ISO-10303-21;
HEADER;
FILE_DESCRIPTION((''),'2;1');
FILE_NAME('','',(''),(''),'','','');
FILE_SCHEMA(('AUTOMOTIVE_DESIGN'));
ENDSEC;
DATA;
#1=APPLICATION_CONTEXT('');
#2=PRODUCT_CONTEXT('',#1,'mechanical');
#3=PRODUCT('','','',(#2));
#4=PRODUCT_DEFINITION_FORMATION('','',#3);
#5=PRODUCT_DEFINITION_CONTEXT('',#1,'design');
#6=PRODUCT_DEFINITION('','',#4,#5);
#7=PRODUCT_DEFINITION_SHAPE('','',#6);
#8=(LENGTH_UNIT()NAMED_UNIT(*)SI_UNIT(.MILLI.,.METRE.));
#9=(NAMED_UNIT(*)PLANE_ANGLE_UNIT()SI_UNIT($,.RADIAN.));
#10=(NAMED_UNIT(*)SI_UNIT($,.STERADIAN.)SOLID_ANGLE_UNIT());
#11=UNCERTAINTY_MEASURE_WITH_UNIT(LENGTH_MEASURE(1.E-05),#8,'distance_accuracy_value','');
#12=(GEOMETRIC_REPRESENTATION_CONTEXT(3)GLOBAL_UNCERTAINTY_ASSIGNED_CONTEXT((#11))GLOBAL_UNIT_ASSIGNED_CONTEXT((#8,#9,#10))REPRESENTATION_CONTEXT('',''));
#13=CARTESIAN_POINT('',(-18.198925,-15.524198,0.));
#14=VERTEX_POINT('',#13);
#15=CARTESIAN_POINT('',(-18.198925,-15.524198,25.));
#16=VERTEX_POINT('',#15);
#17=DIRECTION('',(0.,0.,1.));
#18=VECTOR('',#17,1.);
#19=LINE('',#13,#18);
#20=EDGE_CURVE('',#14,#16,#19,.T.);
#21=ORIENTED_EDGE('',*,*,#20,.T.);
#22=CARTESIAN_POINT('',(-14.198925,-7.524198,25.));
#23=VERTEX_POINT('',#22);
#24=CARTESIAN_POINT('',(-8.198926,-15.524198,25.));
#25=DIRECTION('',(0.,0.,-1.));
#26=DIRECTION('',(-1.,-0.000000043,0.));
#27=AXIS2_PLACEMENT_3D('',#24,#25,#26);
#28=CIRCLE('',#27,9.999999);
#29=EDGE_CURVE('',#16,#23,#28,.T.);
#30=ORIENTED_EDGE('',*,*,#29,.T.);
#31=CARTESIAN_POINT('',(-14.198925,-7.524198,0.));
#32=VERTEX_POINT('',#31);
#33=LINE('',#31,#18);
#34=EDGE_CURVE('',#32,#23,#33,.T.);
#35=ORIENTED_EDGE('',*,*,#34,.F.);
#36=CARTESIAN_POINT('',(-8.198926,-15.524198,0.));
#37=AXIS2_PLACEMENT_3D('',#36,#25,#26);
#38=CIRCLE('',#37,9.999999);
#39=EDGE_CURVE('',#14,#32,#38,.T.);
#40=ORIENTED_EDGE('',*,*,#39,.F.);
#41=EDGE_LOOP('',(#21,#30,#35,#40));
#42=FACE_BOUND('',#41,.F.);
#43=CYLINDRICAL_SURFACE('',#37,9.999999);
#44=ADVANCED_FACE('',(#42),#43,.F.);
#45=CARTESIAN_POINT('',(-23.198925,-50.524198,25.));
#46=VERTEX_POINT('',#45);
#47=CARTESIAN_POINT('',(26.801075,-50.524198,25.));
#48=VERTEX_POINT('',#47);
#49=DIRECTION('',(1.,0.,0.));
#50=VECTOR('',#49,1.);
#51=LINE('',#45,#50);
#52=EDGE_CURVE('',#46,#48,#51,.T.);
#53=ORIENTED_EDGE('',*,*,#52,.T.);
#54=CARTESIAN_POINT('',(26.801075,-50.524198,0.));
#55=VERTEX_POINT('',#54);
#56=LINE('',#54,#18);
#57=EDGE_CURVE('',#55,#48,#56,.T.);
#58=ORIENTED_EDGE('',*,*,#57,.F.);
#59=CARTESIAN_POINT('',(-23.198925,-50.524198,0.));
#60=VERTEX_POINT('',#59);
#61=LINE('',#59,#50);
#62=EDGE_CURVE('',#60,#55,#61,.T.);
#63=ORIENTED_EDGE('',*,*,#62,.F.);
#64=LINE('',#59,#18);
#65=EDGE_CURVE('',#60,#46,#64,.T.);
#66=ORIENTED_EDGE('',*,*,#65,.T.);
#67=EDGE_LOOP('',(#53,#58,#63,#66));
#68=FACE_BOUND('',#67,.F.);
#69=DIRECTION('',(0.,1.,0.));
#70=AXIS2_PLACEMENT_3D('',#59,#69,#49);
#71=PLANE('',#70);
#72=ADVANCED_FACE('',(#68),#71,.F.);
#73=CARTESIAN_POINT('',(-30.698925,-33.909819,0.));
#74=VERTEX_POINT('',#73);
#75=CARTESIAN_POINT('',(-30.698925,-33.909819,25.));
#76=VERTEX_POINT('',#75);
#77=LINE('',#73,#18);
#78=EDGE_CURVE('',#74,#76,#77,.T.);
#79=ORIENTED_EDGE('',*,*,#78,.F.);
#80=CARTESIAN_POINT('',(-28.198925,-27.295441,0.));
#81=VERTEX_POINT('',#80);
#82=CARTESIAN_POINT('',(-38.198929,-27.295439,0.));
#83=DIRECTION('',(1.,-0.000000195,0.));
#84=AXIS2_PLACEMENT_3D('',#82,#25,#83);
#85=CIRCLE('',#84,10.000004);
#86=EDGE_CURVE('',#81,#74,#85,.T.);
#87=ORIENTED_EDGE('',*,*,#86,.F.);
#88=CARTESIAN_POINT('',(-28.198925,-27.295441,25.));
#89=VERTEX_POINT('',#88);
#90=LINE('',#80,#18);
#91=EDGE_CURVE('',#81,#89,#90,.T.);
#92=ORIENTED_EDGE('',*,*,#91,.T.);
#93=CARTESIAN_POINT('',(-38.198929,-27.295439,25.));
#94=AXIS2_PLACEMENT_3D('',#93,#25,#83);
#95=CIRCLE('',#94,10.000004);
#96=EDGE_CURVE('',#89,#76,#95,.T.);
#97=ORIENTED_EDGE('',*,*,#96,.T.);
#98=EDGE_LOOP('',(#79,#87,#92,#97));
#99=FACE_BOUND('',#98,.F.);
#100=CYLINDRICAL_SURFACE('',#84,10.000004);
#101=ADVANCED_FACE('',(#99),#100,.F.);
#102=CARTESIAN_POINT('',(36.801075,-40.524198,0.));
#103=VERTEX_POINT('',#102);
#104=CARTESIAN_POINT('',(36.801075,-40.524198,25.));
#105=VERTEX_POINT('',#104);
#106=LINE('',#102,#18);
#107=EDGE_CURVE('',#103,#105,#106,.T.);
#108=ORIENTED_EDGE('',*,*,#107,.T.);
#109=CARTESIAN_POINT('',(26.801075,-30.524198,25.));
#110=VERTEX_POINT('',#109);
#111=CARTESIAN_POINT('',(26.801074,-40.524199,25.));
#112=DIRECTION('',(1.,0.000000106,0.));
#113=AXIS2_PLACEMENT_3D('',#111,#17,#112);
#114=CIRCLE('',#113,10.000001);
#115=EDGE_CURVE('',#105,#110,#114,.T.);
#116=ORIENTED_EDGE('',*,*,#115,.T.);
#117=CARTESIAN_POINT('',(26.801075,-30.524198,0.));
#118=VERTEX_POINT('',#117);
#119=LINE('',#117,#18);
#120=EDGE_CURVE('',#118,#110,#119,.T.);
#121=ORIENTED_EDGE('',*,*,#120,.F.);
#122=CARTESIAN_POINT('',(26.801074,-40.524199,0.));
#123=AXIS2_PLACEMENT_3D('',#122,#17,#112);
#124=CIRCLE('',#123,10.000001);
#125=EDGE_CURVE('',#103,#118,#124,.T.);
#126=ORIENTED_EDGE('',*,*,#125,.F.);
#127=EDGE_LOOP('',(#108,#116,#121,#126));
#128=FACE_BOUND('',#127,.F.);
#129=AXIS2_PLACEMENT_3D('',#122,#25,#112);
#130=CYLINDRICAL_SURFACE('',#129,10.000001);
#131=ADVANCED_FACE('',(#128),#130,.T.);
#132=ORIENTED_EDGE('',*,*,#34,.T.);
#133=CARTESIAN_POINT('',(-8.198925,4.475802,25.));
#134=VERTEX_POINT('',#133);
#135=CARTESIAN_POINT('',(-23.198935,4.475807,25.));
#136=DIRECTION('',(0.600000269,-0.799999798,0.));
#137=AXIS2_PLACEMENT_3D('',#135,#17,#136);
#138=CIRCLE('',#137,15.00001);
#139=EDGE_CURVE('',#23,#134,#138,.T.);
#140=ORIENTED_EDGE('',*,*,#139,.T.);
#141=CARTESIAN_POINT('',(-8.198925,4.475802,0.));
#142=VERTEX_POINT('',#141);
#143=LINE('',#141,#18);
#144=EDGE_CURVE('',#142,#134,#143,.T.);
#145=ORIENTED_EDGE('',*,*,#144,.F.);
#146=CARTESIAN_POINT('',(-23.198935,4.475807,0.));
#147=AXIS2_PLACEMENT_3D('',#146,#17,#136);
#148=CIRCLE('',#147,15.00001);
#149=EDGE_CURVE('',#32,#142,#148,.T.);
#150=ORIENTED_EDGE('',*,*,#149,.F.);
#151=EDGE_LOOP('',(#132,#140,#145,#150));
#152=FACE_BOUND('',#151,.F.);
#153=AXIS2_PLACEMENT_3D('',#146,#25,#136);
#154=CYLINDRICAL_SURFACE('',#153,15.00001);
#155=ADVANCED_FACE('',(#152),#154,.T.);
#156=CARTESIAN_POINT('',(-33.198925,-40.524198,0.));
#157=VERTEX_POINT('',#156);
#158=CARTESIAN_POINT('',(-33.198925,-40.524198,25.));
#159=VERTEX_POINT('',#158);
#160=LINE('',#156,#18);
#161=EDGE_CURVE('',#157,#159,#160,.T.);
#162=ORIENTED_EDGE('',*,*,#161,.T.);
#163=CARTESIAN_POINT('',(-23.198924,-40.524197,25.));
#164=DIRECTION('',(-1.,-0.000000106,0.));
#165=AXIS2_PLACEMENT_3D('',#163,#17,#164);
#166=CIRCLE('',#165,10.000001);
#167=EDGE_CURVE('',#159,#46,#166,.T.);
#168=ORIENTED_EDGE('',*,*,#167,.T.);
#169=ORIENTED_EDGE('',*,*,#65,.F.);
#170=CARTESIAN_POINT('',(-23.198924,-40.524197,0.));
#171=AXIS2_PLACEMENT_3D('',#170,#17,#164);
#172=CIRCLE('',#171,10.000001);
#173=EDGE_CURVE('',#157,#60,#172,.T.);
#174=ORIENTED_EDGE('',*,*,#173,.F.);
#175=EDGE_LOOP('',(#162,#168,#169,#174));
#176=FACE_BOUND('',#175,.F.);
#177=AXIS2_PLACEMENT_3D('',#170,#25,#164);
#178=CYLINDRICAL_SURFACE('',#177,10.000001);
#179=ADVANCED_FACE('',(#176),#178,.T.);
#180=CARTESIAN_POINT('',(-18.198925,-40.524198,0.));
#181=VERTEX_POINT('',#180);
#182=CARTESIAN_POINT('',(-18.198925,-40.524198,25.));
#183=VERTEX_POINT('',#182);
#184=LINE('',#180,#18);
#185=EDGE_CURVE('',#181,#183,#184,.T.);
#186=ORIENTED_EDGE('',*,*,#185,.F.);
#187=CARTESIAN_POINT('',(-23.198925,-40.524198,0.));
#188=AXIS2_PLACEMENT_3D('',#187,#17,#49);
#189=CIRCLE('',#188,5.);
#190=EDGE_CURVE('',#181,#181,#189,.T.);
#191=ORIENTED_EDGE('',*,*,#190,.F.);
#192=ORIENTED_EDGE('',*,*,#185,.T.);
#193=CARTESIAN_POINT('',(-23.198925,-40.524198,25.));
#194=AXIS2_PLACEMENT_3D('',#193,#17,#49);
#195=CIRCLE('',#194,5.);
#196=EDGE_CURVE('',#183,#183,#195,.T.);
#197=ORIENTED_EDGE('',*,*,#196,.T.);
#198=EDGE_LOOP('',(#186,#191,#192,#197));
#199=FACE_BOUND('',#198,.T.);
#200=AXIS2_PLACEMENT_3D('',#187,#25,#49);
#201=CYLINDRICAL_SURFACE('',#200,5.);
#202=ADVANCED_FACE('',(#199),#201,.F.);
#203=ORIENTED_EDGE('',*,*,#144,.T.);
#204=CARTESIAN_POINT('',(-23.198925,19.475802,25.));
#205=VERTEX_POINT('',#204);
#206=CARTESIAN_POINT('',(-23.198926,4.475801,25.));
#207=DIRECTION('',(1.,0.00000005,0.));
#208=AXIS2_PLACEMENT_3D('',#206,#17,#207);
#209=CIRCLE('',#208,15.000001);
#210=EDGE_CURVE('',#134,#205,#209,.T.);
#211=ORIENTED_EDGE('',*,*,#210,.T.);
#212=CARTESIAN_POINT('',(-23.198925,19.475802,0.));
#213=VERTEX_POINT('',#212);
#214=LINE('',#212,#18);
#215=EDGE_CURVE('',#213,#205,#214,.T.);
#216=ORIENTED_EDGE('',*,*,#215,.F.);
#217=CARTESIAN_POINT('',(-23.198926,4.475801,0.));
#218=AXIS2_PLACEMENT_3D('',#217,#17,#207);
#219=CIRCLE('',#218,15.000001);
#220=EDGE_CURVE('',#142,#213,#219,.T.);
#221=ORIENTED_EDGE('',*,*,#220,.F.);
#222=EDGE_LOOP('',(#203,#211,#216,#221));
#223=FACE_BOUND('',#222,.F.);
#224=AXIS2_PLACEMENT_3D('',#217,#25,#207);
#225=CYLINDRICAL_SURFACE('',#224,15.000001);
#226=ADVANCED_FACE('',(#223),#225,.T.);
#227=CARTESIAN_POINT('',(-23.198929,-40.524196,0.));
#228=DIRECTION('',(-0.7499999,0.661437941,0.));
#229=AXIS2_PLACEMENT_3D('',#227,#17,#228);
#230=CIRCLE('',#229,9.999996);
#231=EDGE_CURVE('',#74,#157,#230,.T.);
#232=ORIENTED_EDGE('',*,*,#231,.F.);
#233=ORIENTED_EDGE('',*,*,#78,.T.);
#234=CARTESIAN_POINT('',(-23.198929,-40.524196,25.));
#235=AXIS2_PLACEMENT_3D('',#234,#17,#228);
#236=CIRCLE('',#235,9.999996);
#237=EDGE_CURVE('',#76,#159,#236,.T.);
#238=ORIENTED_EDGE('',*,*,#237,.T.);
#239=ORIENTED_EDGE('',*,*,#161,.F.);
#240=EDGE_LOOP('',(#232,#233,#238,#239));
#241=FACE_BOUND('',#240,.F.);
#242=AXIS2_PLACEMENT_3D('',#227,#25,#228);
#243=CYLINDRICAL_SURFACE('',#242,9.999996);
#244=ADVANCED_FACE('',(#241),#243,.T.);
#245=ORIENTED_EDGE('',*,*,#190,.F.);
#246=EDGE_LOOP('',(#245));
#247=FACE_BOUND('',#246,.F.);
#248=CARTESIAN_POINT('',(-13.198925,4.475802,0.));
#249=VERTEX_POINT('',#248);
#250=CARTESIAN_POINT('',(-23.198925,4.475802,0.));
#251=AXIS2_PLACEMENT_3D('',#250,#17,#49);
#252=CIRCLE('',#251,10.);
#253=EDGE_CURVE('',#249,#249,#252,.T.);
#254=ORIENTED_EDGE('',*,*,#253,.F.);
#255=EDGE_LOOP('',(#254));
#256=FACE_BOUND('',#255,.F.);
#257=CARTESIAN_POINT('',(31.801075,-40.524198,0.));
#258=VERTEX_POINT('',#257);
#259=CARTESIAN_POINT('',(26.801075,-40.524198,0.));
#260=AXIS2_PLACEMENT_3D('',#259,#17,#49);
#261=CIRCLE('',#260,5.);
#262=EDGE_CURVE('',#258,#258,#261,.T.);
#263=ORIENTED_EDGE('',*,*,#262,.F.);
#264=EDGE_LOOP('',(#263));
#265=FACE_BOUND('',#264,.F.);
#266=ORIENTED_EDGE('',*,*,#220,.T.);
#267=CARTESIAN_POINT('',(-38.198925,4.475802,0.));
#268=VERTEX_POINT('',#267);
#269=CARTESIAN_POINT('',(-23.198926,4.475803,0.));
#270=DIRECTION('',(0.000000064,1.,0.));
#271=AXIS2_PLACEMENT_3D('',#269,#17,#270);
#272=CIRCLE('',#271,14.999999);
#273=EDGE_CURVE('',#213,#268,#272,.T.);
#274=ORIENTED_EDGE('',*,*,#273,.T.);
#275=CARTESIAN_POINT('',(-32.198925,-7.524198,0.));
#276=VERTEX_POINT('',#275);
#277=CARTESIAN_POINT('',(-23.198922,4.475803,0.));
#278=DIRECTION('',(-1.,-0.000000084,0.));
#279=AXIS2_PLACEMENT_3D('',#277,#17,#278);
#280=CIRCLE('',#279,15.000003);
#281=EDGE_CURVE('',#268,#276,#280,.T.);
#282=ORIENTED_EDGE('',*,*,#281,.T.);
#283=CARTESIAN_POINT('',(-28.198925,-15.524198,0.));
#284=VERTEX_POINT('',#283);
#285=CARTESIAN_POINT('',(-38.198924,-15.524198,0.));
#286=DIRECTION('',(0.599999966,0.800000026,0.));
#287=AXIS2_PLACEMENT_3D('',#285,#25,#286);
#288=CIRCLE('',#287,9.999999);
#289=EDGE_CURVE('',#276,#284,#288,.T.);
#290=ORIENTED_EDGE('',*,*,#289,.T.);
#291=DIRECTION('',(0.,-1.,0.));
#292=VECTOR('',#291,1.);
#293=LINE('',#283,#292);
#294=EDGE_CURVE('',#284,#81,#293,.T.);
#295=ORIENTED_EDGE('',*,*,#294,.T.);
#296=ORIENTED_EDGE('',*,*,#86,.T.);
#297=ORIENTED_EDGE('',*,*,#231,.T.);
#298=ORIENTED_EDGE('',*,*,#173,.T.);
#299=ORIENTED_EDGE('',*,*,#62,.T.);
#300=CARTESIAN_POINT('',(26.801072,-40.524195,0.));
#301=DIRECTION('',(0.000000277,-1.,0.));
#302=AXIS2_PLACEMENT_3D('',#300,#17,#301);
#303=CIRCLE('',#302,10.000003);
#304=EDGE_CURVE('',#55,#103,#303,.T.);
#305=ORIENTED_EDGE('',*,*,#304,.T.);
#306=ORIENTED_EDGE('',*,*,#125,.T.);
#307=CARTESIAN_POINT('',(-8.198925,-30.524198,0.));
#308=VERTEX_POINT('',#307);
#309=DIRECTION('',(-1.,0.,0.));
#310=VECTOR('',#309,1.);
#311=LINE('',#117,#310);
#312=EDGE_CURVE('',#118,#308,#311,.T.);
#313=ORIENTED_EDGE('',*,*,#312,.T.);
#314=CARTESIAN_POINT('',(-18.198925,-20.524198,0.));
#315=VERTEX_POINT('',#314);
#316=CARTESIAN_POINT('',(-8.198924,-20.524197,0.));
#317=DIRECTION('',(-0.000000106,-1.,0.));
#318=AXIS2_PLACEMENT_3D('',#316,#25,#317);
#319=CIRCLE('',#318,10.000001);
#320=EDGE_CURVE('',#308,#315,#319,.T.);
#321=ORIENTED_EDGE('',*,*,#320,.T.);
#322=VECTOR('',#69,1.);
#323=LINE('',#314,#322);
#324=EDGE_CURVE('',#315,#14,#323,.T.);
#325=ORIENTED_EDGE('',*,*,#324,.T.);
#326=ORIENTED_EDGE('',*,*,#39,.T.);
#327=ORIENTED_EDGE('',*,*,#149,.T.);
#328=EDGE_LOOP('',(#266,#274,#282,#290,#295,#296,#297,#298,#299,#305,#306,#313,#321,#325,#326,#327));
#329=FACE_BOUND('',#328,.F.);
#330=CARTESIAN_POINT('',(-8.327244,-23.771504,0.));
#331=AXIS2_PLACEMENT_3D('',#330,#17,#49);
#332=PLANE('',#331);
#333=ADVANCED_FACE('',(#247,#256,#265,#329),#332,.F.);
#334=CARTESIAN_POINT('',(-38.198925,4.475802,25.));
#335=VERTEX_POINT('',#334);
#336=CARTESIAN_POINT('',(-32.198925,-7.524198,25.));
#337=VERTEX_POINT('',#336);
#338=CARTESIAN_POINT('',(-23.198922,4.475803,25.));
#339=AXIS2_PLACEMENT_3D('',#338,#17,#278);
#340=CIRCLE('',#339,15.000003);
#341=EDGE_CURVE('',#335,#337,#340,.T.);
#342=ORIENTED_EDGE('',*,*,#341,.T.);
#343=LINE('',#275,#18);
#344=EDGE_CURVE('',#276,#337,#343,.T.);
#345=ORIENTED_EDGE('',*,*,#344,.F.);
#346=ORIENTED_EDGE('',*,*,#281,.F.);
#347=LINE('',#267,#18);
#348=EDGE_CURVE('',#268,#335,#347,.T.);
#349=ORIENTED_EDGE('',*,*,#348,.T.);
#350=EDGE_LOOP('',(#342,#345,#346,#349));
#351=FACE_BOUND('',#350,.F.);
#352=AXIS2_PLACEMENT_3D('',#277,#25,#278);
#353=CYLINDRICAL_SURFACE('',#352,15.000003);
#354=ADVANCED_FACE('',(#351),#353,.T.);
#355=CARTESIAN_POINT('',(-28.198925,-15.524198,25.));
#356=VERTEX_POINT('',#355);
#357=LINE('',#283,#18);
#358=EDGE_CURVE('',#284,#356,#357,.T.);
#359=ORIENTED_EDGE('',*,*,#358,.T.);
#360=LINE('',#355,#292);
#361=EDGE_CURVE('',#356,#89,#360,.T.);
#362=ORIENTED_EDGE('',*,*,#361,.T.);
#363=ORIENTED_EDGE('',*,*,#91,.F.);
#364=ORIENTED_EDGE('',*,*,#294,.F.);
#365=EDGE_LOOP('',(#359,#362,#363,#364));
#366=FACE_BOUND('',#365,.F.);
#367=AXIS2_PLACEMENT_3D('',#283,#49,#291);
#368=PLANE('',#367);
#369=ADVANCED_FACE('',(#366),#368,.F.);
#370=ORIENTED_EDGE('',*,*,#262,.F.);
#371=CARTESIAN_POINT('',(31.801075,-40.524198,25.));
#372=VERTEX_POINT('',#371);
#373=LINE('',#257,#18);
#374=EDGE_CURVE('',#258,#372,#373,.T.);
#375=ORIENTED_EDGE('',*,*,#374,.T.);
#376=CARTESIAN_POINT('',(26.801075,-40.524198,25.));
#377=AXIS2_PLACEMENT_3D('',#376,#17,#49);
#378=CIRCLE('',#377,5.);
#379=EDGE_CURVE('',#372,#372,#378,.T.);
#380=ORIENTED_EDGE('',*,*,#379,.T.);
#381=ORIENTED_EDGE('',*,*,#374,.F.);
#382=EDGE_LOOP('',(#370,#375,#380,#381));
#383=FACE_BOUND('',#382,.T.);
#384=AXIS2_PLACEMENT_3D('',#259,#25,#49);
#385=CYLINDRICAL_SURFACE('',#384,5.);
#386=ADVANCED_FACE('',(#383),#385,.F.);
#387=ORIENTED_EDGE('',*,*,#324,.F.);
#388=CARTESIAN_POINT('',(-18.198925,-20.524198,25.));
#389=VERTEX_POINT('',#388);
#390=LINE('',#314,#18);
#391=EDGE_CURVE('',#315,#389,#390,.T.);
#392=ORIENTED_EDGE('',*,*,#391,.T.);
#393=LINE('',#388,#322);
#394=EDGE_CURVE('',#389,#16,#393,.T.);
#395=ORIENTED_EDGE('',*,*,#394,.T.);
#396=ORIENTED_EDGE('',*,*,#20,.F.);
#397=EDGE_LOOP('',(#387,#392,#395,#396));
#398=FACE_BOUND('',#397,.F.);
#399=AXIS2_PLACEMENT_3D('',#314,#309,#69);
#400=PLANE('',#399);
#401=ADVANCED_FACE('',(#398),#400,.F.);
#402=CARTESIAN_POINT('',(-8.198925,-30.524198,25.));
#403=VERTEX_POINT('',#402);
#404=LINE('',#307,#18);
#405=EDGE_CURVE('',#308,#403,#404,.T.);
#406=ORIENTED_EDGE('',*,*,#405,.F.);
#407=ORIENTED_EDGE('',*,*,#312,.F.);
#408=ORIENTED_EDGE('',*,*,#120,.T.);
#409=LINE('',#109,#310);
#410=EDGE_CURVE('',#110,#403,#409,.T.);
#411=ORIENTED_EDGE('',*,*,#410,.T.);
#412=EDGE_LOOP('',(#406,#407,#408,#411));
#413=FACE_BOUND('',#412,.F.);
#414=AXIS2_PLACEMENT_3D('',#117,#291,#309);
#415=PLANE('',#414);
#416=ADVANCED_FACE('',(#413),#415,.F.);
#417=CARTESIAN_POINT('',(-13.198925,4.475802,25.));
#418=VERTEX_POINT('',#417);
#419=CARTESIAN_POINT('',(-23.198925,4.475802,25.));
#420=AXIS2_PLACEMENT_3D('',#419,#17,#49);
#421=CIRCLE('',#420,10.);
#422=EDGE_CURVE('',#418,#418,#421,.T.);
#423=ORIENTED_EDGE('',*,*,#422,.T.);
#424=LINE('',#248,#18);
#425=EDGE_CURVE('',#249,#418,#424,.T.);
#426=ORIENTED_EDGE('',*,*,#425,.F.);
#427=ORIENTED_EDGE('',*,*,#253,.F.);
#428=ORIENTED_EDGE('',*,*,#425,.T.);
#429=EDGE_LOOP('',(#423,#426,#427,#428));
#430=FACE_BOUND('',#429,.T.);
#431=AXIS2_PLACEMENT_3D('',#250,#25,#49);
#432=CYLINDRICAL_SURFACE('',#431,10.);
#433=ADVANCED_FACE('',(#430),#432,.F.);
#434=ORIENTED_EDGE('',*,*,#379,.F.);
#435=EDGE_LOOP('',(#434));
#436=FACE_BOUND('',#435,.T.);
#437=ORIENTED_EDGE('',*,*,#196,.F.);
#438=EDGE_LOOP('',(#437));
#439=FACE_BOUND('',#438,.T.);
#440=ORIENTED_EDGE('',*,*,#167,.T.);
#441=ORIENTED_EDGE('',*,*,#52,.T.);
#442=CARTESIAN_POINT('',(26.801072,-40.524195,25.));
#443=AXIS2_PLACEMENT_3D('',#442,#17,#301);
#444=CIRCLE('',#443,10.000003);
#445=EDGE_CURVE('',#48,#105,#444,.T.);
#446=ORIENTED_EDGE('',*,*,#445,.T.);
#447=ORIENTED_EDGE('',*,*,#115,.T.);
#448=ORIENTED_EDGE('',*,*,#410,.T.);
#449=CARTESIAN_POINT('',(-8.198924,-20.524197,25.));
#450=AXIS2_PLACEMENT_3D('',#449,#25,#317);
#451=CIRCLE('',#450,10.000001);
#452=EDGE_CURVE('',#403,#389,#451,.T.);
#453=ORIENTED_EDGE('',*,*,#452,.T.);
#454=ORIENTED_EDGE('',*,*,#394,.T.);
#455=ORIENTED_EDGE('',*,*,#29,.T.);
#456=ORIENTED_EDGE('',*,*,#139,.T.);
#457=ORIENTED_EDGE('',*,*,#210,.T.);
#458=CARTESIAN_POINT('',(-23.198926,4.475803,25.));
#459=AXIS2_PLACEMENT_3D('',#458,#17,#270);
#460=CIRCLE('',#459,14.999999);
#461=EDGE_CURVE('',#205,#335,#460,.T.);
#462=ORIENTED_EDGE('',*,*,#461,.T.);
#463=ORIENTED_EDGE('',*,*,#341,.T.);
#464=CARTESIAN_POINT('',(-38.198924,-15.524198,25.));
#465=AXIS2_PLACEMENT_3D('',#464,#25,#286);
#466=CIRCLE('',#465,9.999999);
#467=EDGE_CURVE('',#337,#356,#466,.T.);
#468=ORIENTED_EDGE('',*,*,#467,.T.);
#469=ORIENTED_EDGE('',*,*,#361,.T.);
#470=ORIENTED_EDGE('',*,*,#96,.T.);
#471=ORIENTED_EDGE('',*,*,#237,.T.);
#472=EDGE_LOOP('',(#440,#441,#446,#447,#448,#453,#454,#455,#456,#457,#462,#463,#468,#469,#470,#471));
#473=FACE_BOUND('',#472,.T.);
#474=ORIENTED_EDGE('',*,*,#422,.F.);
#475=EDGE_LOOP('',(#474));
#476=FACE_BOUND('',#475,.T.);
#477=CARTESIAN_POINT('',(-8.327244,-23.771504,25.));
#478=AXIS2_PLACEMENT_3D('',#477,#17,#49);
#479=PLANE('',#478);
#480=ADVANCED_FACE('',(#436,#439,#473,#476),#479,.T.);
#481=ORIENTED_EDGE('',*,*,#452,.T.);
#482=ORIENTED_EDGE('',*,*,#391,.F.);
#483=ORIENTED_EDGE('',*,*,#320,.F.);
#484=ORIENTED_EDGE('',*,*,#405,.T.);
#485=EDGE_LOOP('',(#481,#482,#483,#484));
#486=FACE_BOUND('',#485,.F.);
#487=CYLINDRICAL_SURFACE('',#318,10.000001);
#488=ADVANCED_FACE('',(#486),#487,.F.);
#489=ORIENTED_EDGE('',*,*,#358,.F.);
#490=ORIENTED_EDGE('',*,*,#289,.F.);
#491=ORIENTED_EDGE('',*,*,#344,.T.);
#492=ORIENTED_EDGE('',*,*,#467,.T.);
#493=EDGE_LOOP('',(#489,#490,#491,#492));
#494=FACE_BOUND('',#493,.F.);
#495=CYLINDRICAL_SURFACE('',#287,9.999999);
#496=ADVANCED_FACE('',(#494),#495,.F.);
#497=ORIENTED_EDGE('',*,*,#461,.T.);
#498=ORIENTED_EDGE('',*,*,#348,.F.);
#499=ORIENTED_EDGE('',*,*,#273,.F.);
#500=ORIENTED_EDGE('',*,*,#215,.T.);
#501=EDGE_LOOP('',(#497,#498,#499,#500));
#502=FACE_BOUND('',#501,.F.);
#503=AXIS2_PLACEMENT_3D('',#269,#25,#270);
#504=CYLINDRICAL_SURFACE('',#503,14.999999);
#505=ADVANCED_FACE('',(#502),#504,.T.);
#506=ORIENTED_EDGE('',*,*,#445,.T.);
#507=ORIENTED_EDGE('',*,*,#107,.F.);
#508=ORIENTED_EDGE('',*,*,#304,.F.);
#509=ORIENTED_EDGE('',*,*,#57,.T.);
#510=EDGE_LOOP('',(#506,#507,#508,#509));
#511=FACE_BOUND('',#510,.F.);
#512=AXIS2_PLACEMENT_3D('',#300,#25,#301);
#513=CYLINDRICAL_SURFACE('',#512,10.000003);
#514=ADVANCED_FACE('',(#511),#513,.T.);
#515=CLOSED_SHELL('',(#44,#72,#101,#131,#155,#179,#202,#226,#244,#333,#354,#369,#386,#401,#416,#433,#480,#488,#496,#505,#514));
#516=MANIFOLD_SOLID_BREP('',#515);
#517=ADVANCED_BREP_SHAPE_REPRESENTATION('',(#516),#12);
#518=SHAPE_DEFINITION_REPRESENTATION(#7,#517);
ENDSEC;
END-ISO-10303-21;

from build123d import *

# Parameters (mm, degrees)
F0_R     = 5
F0_R_2   = 10
F1_DEPTH = 25


with BuildPart() as f1:
    # F0 (on Top) → F1 (new body)
    with BuildSketch(Plane.XY):
        with BuildLine():
            ThreePointArc((-33.198925, -40.524198), (-30.269993, -47.595265), (-23.198925, -50.524198))
            Line((-23.198925, -50.524198), (26.801075, -50.524198))
            ThreePointArc((26.801075, -50.524198), (33.872142, -47.595265), (36.801075, -40.524198))
            ThreePointArc((36.801075, -40.524198), (33.872142, -33.45313), (26.801075, -30.524198))
            Line((26.801075, -30.524198), (-8.198925, -30.524198))
            ThreePointArc((-8.198925, -30.524198), (-15.269993, -27.595265), (-18.198925, -20.524198))
            Line((-18.198925, -20.524198), (-18.198925, -19.158835))
            Line((-18.198925, -19.158835), (-18.198925, -15.524198))
            ThreePointArc((-18.198925, -15.524198), (-17.143197, -11.052062), (-14.198925, -7.524198))
            ThreePointArc((-14.198925, -7.524198), (-9.782518, -2.232401), (-8.198925, 4.475802))
            ThreePointArc((-8.198925, 4.475802), (-12.592324, 15.082404), (-23.198925, 19.475802))
            ThreePointArc((-23.198925, 19.475802), (-33.805527, 15.082404), (-38.198925, 4.475802))
            ThreePointArc((-38.198925, 4.475802), (-36.615333, -2.232401), (-32.198925, -7.524198))
            ThreePointArc((-32.198925, -7.524198), (-29.254653, -11.052062), (-28.198925, -15.524198))
            Line((-28.198925, -15.524198), (-28.198925, -19.158835))
            Line((-28.198925, -19.158835), (-28.198925, -27.295441))
            ThreePointArc((-28.198925, -27.295441), (-28.844782, -30.830975), (-30.698925, -33.909819))
            ThreePointArc((-30.698925, -33.909819), (-32.553069, -36.988664), (-33.198925, -40.524198))
        make_face()
        with Locations((-23.198925, -40.524198)):
            Circle(F0_R, mode=Mode.SUBTRACT)
        with Locations((26.801075, -40.524198)):
            Circle(F0_R, mode=Mode.SUBTRACT)
        with Locations((-23.198925, 4.475802)):
            Circle(F0_R_2, mode=Mode.SUBTRACT)
    extrude(amount=F1_DEPTH)


solid = f1.part
